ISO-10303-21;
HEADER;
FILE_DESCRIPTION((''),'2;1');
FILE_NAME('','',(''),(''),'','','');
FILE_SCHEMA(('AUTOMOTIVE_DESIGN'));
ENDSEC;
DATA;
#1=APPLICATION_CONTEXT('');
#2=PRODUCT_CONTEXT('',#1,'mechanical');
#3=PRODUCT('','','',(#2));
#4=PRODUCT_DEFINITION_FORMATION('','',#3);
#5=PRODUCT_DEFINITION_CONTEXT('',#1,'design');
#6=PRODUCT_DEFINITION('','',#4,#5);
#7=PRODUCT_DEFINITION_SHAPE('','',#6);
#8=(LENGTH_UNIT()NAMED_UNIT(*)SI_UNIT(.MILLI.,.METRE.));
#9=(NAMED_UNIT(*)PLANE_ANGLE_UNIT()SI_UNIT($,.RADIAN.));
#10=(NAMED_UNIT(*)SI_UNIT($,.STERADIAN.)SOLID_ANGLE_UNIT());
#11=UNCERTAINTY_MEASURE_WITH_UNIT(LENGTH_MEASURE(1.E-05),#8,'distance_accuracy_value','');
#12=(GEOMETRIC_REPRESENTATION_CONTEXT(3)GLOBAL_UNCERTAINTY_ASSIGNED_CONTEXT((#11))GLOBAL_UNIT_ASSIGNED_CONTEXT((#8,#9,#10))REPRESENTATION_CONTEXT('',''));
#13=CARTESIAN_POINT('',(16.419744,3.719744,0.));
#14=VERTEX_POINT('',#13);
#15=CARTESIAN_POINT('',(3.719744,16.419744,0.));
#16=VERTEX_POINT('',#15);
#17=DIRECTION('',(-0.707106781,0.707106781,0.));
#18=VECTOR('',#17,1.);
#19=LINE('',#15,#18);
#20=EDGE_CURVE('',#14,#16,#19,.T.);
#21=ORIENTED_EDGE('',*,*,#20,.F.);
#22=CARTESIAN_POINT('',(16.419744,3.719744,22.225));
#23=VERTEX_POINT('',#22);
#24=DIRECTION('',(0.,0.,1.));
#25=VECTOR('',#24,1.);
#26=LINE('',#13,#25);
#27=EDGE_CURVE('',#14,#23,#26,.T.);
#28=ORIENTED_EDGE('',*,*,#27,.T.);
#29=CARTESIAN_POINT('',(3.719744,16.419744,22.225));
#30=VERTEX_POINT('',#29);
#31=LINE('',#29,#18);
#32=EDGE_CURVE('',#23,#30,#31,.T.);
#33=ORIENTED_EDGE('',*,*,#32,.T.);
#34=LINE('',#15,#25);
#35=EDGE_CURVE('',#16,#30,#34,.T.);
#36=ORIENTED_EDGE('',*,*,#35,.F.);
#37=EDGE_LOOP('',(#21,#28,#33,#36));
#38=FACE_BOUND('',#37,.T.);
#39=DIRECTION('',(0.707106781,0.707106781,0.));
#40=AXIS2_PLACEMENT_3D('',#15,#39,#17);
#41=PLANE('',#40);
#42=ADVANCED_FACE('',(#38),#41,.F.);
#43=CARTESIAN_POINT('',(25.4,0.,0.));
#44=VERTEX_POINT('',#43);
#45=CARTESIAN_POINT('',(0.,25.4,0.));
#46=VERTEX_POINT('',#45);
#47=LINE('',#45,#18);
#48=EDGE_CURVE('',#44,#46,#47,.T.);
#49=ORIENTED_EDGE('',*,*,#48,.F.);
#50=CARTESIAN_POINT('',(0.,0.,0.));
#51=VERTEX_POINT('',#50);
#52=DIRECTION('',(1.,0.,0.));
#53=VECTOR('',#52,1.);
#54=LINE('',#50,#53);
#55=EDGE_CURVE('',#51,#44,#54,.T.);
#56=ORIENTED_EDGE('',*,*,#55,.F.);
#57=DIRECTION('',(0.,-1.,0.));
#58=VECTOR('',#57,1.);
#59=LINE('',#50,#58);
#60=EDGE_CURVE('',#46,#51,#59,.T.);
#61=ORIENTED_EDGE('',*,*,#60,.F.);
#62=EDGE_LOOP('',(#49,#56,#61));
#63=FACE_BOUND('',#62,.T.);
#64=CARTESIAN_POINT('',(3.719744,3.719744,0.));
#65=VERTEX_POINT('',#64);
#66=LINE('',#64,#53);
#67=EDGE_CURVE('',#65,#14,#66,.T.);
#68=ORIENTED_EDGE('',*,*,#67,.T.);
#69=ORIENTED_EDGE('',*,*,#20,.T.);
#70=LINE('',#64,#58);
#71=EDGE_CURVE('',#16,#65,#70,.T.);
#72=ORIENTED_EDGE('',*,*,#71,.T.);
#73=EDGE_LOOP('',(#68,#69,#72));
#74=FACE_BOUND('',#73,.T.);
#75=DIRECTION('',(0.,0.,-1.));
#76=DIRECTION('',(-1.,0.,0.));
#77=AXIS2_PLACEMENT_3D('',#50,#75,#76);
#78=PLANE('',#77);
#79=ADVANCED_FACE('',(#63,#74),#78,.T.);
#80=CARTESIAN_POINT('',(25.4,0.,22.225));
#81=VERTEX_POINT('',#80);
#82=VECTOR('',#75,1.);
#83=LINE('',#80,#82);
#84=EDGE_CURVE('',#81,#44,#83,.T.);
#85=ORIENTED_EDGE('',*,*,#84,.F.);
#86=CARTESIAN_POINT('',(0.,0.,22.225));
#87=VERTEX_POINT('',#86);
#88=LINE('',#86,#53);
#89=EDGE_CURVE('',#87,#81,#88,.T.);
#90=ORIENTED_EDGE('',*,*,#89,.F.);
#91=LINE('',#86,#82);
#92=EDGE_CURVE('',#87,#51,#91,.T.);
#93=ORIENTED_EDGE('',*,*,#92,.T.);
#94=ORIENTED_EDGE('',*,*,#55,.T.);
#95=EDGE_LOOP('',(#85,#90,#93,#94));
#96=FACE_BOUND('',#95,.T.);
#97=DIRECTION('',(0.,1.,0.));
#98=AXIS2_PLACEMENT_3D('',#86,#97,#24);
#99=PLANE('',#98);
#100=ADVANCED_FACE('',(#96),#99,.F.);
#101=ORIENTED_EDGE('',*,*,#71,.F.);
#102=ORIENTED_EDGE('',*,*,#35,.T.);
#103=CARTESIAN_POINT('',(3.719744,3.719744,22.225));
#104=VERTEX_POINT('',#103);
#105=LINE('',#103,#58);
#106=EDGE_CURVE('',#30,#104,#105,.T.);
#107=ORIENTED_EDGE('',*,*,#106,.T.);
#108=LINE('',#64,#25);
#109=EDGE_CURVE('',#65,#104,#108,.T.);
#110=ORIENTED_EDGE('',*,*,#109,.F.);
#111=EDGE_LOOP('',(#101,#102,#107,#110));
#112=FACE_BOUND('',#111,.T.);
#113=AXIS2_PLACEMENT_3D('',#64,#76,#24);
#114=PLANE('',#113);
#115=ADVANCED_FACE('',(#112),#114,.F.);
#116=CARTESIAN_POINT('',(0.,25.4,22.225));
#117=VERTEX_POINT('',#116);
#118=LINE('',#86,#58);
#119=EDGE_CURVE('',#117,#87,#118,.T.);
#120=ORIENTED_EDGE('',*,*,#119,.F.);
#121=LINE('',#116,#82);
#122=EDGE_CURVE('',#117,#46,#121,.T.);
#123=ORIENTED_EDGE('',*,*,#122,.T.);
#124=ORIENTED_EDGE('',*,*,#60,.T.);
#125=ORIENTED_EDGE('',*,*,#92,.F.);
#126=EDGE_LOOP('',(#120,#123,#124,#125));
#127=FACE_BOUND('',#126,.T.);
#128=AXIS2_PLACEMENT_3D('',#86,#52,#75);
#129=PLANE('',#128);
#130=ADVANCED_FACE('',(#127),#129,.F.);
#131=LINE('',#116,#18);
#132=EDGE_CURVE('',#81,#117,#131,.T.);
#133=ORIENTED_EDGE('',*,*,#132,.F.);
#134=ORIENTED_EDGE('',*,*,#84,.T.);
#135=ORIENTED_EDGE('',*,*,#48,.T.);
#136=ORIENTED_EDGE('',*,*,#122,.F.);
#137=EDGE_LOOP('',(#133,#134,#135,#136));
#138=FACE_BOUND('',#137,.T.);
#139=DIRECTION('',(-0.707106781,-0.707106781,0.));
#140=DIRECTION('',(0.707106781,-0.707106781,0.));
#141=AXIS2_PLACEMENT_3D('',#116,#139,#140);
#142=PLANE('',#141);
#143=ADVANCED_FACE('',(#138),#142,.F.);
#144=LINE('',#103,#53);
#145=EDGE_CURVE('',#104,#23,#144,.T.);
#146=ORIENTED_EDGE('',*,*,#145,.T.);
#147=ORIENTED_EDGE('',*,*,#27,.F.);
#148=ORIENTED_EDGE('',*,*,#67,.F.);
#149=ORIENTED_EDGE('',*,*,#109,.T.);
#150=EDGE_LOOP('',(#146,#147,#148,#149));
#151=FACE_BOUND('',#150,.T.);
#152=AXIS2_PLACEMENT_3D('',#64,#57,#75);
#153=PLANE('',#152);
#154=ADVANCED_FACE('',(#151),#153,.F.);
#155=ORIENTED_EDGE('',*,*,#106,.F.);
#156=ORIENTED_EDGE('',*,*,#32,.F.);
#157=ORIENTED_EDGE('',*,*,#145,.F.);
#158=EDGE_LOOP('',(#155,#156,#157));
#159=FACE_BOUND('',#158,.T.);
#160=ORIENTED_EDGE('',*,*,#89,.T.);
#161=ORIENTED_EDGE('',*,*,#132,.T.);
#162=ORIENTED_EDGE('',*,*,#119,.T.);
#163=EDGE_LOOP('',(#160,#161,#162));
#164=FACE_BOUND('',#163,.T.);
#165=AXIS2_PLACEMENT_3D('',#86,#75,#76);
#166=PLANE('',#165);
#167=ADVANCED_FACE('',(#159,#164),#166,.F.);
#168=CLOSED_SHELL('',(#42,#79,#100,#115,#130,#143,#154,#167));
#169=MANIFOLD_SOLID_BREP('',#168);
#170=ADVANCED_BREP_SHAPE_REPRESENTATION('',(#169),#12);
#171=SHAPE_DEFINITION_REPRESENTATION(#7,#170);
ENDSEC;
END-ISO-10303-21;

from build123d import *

# Parameters (mm, degrees)
BOSS_EXTRUDE1_DEPTH = 22.225
CUT_EXTRUDE1_DEPTH  = 43.240627659


with BuildPart() as part:
    # Sketch1 → Boss-Extrude1 (new body)
    with BuildSketch(Plane.XY):
        Polygon((0, 25.4), (25.4, 0), (0, 0), align=None)
    extrude(amount=BOSS_EXTRUDE1_DEPTH)

    # Sketch2 → Cut-Extrude1 (cut, through all)
    with BuildSketch(Plane.XY.offset(22.225)):
        Polygon((3.719743879, 16.419743879), (16.419743879, 3.719743879), (3.719743879, 3.719743879), align=None)
    extrude(amount=-CUT_EXTRUDE1_DEPTH, mode=Mode.SUBTRACT)


solid = part.part
